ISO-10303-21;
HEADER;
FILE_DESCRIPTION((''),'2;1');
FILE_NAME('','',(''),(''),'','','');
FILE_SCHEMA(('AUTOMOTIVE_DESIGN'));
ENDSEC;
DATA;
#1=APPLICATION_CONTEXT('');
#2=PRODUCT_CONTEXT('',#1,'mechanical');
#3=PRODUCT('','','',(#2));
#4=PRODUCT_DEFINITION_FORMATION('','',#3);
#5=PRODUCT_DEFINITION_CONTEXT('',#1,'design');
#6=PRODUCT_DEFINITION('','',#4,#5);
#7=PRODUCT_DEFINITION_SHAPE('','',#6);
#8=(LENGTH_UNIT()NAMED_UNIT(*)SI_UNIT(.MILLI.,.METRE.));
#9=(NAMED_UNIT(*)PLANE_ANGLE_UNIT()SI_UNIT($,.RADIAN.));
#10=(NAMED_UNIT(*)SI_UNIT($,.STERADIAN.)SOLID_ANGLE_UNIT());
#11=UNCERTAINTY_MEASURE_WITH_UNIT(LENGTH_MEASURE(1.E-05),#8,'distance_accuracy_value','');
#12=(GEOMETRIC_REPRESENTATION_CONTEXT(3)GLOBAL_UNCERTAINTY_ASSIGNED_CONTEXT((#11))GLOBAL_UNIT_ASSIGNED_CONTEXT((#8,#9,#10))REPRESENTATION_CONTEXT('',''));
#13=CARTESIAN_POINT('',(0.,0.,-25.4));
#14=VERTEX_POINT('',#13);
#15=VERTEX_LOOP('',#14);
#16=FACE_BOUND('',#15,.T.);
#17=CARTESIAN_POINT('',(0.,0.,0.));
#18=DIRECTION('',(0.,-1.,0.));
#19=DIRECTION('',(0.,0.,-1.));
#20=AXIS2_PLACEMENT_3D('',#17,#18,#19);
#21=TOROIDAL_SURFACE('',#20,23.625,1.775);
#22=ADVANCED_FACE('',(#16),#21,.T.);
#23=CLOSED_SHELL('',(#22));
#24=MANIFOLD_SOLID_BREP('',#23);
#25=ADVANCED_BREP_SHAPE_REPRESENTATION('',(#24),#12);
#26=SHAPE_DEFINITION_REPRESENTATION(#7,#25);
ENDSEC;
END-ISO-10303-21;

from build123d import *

# Parameters (mm, degrees)
SKETCH_1_R = 1.775


with BuildPart() as part:
    # 草图1 → 旋转1 (revolve)
    with BuildSketch(Plane.XY, mode=Mode.PRIVATE) as revolve_1_sk:
        with Locations((23.625, 0)):
            Circle(SKETCH_1_R)
    revolve(revolve_1_sk.sketch.rotate(Axis((0, 0, 0), (0, 1, 0)), 90), axis=Axis((0, 0, 0), (0, 1, 0)))


solid = part.part
